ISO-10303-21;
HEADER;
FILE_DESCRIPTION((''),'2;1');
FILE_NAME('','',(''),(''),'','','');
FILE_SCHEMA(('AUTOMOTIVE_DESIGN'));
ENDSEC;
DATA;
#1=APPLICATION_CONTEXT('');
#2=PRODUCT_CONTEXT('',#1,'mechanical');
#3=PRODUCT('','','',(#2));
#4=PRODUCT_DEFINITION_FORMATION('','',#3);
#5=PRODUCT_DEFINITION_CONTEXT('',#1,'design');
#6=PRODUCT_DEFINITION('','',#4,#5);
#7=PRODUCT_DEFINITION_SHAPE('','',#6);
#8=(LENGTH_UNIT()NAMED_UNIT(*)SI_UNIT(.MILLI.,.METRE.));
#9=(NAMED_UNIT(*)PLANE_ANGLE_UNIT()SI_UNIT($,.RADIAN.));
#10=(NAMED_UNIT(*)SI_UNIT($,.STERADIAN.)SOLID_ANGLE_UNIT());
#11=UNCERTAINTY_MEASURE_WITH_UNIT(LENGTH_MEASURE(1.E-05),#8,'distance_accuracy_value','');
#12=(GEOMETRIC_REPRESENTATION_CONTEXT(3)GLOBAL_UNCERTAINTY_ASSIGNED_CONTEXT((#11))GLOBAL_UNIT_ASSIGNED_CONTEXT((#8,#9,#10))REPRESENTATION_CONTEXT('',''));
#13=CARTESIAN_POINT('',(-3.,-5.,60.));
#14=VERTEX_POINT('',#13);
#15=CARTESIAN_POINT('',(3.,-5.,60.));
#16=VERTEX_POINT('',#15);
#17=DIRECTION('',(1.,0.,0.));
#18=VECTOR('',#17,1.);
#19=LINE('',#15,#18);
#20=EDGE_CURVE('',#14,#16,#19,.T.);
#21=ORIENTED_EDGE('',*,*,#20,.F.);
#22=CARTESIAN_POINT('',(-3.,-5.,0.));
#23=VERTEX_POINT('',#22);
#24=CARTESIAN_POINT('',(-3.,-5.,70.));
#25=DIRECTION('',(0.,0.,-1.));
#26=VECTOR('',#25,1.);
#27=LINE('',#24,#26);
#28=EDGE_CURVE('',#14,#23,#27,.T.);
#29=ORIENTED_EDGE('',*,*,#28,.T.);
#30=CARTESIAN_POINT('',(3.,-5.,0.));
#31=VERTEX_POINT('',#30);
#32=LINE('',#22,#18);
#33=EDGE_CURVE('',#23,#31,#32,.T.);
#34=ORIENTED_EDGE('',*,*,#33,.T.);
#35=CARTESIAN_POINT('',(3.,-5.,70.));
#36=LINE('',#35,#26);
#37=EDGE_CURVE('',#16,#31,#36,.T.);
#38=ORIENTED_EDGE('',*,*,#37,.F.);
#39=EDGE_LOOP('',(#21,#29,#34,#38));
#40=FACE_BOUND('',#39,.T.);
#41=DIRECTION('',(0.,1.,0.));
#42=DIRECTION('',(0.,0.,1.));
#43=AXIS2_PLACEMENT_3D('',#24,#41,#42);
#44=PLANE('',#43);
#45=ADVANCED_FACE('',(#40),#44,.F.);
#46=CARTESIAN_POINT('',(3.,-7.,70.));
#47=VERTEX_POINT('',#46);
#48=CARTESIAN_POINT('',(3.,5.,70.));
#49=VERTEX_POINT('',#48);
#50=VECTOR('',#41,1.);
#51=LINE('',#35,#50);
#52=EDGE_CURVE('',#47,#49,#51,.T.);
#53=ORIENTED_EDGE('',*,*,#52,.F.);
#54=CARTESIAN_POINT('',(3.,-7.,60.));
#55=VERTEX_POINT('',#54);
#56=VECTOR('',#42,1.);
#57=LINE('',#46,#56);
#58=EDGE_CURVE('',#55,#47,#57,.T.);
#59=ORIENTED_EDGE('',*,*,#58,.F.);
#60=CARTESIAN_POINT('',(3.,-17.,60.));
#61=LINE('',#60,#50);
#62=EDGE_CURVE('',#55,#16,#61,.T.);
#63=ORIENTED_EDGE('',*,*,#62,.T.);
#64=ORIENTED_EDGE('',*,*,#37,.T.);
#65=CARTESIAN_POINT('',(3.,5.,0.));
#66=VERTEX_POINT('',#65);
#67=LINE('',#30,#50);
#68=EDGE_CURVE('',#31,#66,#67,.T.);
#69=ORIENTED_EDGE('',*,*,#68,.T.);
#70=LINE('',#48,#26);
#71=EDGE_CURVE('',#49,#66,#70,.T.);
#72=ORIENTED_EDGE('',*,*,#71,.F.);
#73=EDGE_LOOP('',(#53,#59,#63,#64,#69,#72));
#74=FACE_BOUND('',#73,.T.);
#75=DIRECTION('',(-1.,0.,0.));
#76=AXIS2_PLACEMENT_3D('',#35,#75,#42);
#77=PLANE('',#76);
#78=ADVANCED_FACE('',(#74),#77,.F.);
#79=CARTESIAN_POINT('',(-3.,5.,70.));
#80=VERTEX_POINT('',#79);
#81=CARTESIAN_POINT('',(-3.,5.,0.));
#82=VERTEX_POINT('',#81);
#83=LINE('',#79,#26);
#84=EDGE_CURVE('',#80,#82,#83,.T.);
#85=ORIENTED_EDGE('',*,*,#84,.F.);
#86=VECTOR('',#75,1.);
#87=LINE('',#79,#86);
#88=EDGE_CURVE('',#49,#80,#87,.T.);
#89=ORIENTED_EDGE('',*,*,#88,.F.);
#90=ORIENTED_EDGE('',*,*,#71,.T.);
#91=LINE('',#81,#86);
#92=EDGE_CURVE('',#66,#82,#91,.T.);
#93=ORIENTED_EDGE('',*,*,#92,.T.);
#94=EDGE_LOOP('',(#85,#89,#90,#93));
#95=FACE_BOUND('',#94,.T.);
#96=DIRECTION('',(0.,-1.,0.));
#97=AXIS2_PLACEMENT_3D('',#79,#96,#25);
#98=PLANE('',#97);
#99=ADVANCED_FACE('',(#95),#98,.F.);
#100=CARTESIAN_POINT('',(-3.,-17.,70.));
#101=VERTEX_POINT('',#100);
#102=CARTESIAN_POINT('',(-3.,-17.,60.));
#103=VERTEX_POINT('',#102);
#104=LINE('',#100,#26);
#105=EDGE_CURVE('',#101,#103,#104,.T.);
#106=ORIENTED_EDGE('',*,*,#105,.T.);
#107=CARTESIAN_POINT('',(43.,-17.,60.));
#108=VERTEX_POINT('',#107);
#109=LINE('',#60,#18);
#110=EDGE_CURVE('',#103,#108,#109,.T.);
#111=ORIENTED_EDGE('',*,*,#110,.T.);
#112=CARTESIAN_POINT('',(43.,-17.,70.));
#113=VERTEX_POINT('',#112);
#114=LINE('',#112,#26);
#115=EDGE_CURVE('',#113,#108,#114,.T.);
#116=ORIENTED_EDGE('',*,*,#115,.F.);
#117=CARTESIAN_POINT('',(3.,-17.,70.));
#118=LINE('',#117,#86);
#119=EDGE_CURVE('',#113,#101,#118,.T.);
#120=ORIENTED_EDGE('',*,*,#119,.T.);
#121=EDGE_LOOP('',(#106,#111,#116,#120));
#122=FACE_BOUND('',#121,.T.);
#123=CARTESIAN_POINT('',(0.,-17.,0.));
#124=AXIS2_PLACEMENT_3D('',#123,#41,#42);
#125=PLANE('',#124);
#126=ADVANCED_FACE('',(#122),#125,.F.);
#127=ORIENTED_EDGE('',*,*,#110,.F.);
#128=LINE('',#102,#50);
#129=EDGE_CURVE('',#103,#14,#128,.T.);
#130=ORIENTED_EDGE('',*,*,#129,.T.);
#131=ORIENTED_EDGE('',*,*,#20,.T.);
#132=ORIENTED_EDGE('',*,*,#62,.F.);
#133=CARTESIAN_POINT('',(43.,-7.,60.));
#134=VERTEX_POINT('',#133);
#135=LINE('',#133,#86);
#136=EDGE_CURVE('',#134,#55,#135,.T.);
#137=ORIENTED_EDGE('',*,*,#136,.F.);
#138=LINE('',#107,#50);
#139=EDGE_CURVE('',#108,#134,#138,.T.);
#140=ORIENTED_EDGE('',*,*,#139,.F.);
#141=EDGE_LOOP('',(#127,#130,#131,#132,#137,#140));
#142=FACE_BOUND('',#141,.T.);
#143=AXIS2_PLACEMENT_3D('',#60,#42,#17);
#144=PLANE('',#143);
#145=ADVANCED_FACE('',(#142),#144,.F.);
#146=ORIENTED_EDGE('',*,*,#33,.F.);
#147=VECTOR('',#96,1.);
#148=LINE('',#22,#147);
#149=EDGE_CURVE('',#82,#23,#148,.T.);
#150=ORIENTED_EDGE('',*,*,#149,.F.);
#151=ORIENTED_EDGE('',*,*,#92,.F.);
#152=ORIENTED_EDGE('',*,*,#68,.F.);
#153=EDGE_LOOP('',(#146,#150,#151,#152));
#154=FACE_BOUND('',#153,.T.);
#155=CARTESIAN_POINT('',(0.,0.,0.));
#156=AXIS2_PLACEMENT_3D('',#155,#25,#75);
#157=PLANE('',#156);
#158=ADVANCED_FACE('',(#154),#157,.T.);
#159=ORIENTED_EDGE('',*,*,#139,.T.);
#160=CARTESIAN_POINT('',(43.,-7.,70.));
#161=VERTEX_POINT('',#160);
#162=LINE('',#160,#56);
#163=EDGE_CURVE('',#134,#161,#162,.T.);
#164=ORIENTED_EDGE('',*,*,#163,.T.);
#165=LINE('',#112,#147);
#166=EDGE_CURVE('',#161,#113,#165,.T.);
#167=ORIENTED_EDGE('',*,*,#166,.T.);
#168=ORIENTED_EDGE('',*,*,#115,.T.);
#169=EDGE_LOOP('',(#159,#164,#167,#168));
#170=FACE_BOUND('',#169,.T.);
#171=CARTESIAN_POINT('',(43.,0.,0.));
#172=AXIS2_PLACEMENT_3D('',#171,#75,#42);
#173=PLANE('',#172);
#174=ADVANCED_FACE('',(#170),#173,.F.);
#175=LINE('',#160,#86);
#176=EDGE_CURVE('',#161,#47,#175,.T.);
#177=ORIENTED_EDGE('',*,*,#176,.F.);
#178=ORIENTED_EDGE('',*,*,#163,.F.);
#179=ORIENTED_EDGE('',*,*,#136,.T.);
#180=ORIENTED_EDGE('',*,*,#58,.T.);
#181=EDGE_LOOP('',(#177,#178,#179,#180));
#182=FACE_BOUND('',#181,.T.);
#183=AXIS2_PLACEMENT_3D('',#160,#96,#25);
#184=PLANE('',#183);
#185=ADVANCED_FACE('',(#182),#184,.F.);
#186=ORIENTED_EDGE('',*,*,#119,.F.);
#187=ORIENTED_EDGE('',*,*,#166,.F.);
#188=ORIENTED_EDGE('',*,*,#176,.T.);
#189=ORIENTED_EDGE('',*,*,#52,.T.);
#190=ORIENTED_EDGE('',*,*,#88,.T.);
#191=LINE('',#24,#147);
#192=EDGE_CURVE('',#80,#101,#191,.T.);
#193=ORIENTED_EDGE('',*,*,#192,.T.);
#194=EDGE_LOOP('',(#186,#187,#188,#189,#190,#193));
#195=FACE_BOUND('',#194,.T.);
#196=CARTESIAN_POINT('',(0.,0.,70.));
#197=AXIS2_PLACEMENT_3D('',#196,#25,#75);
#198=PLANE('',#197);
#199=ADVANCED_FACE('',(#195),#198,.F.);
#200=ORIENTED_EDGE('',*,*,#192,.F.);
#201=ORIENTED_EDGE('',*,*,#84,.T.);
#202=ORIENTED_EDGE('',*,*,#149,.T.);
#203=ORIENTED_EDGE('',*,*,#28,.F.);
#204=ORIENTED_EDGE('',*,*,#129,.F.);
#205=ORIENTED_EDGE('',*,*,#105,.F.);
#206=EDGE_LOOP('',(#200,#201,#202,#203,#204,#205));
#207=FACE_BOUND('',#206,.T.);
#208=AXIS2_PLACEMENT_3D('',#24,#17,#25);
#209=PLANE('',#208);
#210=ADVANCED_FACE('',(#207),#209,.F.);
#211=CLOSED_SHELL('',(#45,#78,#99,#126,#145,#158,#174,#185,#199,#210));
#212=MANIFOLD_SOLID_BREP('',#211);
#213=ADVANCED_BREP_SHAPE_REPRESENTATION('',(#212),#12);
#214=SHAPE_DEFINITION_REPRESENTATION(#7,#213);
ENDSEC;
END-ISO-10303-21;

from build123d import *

# Parameters (mm, degrees)
SKETCH1_W           = 6
SKETCH1_H           = 10
BOSS_EXTRUDE1_DEPTH = 70
SKETCH2_W           = 6
SKETCH2_H           = 10
BOSS_EXTRUDE2_DEPTH = 12
SKETCH3_W           = 10
SKETCH3_H           = 10
BOSS_EXTRUDE3_DEPTH = 40


with BuildPart() as part:
    # Sketch1 → Boss-Extrude1 (new body)
    with BuildSketch(Plane.XY):
        Rectangle(SKETCH1_W, SKETCH1_H)
    extrude(amount=BOSS_EXTRUDE1_DEPTH)

    # Sketch2 → Boss-Extrude2 (add)
    with BuildSketch(Plane.XZ.offset(5)):
        with Locations((0, 65)):
            Rectangle(SKETCH2_W, SKETCH2_H)
    extrude(amount=BOSS_EXTRUDE2_DEPTH)

    # Sketch3 → Boss-Extrude3 (add)
    with BuildSketch(Plane(origin=(3, 0, 0), x_dir=(0, 0, -1), z_dir=(1, 0, 0))):
        with Locations((-65, -12)):
            Rectangle(SKETCH3_W, SKETCH3_H)
    extrude(amount=BOSS_EXTRUDE3_DEPTH)


solid = part.part
